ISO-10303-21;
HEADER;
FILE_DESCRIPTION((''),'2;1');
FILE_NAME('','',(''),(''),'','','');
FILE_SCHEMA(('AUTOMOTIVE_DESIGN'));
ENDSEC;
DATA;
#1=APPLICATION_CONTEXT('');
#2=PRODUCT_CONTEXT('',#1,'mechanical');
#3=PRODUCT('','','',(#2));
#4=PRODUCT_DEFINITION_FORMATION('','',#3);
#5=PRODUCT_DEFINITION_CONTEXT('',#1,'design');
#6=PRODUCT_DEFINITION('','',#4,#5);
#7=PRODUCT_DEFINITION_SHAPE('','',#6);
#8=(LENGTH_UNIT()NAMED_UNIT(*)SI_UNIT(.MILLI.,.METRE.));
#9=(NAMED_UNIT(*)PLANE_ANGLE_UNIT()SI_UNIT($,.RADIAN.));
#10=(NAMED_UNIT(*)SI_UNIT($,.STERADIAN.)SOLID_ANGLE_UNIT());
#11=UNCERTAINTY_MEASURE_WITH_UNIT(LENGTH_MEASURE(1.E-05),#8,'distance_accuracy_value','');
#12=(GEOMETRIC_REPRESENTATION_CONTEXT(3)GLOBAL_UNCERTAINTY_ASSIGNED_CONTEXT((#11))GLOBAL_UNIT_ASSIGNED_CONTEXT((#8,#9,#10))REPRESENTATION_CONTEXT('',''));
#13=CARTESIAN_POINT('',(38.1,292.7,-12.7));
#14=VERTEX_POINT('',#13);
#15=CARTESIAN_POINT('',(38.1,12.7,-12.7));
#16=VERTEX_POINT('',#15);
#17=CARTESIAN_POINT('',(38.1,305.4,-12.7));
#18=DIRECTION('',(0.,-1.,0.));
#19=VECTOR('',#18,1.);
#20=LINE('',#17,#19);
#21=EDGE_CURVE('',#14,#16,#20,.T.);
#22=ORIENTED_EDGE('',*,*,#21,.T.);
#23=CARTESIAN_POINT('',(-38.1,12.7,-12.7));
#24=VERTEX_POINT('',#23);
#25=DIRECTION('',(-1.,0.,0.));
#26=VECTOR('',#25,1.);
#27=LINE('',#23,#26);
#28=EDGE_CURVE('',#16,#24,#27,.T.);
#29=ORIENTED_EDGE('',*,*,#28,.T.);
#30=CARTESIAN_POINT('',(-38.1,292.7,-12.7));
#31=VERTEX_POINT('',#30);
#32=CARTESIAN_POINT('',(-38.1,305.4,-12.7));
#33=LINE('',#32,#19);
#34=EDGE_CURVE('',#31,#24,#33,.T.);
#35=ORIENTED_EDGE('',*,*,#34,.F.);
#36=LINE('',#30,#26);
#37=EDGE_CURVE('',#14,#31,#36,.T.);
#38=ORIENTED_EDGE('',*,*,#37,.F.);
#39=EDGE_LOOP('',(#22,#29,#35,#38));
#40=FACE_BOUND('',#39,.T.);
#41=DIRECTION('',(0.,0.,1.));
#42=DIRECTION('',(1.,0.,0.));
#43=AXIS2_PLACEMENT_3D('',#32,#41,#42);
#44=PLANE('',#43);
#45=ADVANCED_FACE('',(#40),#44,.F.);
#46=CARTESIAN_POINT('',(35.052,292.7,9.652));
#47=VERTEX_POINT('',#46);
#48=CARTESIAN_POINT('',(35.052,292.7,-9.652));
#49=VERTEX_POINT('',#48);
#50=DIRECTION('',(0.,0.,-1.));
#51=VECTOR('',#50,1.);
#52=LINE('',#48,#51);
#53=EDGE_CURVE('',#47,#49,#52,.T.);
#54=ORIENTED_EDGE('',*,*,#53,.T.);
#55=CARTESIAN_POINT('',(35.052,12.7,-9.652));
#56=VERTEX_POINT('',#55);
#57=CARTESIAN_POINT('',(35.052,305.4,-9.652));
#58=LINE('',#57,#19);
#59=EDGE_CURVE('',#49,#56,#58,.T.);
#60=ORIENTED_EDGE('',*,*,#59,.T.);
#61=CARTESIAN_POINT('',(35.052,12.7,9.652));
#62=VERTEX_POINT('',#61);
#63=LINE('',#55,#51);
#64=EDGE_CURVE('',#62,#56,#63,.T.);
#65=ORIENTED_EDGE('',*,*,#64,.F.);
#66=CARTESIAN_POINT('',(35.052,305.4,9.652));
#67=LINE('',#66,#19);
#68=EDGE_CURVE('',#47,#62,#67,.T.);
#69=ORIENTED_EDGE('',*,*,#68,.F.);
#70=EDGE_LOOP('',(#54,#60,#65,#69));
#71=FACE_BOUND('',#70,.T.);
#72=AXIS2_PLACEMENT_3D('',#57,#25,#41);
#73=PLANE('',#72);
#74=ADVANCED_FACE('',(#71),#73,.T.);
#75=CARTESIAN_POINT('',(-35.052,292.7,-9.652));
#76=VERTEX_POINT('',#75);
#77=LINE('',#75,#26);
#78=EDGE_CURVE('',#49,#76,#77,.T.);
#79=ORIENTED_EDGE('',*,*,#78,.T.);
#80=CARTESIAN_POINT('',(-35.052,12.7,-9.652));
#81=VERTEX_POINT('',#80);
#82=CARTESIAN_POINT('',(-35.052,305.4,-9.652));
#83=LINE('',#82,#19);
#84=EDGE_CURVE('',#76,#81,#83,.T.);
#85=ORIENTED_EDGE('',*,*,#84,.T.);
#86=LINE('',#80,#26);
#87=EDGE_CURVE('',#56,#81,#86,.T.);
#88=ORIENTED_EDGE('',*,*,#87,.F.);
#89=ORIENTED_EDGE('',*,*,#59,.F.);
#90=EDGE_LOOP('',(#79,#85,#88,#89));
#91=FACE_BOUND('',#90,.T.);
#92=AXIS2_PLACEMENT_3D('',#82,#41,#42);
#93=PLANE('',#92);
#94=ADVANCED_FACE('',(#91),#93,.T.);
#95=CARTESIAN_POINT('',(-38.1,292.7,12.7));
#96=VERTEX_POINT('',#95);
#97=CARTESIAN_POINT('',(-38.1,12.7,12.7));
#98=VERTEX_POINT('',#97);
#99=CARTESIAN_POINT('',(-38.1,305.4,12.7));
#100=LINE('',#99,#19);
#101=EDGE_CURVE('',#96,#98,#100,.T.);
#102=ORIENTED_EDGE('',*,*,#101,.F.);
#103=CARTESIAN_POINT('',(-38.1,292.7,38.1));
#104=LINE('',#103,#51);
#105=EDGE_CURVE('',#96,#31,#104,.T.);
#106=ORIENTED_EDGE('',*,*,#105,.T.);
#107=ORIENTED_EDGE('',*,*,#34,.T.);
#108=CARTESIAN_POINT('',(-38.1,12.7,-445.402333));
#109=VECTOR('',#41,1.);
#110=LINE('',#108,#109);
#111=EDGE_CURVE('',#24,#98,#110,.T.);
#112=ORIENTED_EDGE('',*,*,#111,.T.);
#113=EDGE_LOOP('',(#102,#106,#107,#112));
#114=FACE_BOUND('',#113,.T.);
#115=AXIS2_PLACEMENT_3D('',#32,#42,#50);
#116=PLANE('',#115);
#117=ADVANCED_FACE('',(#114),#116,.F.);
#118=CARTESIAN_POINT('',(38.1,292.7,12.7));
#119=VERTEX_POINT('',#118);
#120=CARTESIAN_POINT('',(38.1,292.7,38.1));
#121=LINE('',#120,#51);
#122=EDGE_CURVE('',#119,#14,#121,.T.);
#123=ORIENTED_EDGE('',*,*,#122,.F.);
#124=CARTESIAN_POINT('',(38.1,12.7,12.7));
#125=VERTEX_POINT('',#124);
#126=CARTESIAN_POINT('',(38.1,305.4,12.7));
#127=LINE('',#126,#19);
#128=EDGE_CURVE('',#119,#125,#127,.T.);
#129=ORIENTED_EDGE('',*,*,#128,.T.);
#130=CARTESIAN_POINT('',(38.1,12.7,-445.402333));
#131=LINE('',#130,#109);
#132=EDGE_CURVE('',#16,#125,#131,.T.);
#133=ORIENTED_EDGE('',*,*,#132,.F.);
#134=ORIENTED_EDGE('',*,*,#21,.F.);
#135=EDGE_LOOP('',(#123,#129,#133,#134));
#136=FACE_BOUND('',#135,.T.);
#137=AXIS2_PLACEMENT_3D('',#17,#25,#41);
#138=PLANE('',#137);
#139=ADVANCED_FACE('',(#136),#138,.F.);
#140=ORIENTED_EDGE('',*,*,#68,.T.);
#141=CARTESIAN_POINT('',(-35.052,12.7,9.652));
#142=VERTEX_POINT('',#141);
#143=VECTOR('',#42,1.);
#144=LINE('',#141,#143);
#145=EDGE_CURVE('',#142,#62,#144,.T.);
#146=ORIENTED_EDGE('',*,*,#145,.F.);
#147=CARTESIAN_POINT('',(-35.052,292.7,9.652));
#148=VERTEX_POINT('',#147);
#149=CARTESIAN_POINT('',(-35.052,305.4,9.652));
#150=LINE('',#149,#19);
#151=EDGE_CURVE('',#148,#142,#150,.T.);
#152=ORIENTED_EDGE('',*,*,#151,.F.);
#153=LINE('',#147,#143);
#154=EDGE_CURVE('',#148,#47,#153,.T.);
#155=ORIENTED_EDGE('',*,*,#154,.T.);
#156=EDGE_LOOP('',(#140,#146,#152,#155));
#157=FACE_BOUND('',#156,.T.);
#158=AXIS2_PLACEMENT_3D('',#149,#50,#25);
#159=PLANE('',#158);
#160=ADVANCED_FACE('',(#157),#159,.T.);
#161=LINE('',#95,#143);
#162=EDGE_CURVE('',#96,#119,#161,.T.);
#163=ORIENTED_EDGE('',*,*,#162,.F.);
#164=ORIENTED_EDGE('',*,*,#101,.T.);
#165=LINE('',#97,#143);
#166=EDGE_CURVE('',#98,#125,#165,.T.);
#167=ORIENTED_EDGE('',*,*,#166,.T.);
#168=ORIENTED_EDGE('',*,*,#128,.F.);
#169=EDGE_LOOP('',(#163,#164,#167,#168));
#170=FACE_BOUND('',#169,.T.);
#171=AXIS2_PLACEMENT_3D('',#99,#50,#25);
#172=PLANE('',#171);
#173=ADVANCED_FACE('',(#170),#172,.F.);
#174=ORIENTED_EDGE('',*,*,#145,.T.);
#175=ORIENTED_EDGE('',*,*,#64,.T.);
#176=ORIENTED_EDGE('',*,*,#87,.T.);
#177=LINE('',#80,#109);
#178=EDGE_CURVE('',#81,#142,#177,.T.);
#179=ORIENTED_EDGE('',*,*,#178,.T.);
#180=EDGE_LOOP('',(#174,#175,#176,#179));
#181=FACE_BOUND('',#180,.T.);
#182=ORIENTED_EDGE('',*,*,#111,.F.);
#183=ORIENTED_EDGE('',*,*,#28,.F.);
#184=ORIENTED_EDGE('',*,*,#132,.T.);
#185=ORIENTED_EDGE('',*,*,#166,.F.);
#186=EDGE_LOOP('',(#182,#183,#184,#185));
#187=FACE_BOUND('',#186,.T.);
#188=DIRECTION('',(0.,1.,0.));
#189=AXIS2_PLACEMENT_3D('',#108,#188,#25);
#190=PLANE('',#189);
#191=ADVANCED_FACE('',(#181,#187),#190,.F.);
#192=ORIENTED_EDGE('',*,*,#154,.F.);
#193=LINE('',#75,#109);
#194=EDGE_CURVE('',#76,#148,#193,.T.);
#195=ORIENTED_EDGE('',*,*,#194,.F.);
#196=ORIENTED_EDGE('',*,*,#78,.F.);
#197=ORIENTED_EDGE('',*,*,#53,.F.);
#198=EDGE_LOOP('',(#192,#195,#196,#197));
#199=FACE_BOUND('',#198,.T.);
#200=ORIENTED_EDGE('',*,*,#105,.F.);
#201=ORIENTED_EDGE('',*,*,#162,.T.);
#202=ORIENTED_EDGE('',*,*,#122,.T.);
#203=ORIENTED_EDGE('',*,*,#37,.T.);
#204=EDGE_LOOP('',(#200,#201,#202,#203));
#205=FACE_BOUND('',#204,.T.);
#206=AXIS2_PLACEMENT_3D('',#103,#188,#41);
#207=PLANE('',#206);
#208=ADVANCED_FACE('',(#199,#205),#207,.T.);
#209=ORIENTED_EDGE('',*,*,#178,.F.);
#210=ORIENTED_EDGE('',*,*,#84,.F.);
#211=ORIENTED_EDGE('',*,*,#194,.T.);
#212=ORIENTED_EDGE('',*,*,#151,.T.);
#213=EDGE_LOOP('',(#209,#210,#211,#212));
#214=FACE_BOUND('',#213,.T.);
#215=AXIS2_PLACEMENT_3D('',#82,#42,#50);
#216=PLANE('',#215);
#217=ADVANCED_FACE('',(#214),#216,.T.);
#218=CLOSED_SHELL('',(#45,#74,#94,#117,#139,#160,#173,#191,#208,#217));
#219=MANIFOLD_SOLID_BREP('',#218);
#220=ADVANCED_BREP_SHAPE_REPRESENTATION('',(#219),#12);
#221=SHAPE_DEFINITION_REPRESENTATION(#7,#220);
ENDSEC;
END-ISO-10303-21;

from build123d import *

# Parameters (mm, degrees)
SKETCH1_W           = 76.2
SKETCH1_H           = 25.4
SKETCH1_W_2         = 70.104
SKETCH1_H_2         = 19.304
BOSS_EXTRUDE1_DEPTH = 305.4
CUT_EXTRUDE1_START  = -12.7
SKETCH3_W           = 76.2
SKETCH3_H           = 25.4
CUT_EXTRUDE1_DEPTH  = 25.4
CUT_EXTRUDE2_START  = -12.7
SKETCH4_W           = 76.2
SKETCH4_H           = 25.4
CUT_EXTRUDE2_DEPTH  = 25.4


with BuildPart() as part:
    # Sketch1 → Boss-Extrude1 (new body)
    with BuildSketch(Plane(origin=(0, 0, 0), x_dir=(1, 0, 0), z_dir=(0, 1, 0))):
        Rectangle(SKETCH1_W, SKETCH1_H)
        Rectangle(SKETCH1_W_2, SKETCH1_H_2, mode=Mode.SUBTRACT)
    extrude(amount=BOSS_EXTRUDE1_DEPTH)

    # Sketch3 → Cut-Extrude1 (cut)
    with BuildSketch(Plane(origin=(0, 305.4, 0), x_dir=(1, 0, 0), z_dir=(0, 0, 1)).offset(CUT_EXTRUDE1_START)):
        Rectangle(SKETCH3_W, SKETCH3_H)
    extrude(amount=CUT_EXTRUDE1_DEPTH, mode=Mode.SUBTRACT)

    # Sketch4 → Cut-Extrude2 (cut)
    with BuildSketch(Plane.XY.offset(CUT_EXTRUDE2_START)):
        Rectangle(SKETCH4_W, SKETCH4_H)
    extrude(amount=CUT_EXTRUDE2_DEPTH, mode=Mode.SUBTRACT)


solid = part.part
